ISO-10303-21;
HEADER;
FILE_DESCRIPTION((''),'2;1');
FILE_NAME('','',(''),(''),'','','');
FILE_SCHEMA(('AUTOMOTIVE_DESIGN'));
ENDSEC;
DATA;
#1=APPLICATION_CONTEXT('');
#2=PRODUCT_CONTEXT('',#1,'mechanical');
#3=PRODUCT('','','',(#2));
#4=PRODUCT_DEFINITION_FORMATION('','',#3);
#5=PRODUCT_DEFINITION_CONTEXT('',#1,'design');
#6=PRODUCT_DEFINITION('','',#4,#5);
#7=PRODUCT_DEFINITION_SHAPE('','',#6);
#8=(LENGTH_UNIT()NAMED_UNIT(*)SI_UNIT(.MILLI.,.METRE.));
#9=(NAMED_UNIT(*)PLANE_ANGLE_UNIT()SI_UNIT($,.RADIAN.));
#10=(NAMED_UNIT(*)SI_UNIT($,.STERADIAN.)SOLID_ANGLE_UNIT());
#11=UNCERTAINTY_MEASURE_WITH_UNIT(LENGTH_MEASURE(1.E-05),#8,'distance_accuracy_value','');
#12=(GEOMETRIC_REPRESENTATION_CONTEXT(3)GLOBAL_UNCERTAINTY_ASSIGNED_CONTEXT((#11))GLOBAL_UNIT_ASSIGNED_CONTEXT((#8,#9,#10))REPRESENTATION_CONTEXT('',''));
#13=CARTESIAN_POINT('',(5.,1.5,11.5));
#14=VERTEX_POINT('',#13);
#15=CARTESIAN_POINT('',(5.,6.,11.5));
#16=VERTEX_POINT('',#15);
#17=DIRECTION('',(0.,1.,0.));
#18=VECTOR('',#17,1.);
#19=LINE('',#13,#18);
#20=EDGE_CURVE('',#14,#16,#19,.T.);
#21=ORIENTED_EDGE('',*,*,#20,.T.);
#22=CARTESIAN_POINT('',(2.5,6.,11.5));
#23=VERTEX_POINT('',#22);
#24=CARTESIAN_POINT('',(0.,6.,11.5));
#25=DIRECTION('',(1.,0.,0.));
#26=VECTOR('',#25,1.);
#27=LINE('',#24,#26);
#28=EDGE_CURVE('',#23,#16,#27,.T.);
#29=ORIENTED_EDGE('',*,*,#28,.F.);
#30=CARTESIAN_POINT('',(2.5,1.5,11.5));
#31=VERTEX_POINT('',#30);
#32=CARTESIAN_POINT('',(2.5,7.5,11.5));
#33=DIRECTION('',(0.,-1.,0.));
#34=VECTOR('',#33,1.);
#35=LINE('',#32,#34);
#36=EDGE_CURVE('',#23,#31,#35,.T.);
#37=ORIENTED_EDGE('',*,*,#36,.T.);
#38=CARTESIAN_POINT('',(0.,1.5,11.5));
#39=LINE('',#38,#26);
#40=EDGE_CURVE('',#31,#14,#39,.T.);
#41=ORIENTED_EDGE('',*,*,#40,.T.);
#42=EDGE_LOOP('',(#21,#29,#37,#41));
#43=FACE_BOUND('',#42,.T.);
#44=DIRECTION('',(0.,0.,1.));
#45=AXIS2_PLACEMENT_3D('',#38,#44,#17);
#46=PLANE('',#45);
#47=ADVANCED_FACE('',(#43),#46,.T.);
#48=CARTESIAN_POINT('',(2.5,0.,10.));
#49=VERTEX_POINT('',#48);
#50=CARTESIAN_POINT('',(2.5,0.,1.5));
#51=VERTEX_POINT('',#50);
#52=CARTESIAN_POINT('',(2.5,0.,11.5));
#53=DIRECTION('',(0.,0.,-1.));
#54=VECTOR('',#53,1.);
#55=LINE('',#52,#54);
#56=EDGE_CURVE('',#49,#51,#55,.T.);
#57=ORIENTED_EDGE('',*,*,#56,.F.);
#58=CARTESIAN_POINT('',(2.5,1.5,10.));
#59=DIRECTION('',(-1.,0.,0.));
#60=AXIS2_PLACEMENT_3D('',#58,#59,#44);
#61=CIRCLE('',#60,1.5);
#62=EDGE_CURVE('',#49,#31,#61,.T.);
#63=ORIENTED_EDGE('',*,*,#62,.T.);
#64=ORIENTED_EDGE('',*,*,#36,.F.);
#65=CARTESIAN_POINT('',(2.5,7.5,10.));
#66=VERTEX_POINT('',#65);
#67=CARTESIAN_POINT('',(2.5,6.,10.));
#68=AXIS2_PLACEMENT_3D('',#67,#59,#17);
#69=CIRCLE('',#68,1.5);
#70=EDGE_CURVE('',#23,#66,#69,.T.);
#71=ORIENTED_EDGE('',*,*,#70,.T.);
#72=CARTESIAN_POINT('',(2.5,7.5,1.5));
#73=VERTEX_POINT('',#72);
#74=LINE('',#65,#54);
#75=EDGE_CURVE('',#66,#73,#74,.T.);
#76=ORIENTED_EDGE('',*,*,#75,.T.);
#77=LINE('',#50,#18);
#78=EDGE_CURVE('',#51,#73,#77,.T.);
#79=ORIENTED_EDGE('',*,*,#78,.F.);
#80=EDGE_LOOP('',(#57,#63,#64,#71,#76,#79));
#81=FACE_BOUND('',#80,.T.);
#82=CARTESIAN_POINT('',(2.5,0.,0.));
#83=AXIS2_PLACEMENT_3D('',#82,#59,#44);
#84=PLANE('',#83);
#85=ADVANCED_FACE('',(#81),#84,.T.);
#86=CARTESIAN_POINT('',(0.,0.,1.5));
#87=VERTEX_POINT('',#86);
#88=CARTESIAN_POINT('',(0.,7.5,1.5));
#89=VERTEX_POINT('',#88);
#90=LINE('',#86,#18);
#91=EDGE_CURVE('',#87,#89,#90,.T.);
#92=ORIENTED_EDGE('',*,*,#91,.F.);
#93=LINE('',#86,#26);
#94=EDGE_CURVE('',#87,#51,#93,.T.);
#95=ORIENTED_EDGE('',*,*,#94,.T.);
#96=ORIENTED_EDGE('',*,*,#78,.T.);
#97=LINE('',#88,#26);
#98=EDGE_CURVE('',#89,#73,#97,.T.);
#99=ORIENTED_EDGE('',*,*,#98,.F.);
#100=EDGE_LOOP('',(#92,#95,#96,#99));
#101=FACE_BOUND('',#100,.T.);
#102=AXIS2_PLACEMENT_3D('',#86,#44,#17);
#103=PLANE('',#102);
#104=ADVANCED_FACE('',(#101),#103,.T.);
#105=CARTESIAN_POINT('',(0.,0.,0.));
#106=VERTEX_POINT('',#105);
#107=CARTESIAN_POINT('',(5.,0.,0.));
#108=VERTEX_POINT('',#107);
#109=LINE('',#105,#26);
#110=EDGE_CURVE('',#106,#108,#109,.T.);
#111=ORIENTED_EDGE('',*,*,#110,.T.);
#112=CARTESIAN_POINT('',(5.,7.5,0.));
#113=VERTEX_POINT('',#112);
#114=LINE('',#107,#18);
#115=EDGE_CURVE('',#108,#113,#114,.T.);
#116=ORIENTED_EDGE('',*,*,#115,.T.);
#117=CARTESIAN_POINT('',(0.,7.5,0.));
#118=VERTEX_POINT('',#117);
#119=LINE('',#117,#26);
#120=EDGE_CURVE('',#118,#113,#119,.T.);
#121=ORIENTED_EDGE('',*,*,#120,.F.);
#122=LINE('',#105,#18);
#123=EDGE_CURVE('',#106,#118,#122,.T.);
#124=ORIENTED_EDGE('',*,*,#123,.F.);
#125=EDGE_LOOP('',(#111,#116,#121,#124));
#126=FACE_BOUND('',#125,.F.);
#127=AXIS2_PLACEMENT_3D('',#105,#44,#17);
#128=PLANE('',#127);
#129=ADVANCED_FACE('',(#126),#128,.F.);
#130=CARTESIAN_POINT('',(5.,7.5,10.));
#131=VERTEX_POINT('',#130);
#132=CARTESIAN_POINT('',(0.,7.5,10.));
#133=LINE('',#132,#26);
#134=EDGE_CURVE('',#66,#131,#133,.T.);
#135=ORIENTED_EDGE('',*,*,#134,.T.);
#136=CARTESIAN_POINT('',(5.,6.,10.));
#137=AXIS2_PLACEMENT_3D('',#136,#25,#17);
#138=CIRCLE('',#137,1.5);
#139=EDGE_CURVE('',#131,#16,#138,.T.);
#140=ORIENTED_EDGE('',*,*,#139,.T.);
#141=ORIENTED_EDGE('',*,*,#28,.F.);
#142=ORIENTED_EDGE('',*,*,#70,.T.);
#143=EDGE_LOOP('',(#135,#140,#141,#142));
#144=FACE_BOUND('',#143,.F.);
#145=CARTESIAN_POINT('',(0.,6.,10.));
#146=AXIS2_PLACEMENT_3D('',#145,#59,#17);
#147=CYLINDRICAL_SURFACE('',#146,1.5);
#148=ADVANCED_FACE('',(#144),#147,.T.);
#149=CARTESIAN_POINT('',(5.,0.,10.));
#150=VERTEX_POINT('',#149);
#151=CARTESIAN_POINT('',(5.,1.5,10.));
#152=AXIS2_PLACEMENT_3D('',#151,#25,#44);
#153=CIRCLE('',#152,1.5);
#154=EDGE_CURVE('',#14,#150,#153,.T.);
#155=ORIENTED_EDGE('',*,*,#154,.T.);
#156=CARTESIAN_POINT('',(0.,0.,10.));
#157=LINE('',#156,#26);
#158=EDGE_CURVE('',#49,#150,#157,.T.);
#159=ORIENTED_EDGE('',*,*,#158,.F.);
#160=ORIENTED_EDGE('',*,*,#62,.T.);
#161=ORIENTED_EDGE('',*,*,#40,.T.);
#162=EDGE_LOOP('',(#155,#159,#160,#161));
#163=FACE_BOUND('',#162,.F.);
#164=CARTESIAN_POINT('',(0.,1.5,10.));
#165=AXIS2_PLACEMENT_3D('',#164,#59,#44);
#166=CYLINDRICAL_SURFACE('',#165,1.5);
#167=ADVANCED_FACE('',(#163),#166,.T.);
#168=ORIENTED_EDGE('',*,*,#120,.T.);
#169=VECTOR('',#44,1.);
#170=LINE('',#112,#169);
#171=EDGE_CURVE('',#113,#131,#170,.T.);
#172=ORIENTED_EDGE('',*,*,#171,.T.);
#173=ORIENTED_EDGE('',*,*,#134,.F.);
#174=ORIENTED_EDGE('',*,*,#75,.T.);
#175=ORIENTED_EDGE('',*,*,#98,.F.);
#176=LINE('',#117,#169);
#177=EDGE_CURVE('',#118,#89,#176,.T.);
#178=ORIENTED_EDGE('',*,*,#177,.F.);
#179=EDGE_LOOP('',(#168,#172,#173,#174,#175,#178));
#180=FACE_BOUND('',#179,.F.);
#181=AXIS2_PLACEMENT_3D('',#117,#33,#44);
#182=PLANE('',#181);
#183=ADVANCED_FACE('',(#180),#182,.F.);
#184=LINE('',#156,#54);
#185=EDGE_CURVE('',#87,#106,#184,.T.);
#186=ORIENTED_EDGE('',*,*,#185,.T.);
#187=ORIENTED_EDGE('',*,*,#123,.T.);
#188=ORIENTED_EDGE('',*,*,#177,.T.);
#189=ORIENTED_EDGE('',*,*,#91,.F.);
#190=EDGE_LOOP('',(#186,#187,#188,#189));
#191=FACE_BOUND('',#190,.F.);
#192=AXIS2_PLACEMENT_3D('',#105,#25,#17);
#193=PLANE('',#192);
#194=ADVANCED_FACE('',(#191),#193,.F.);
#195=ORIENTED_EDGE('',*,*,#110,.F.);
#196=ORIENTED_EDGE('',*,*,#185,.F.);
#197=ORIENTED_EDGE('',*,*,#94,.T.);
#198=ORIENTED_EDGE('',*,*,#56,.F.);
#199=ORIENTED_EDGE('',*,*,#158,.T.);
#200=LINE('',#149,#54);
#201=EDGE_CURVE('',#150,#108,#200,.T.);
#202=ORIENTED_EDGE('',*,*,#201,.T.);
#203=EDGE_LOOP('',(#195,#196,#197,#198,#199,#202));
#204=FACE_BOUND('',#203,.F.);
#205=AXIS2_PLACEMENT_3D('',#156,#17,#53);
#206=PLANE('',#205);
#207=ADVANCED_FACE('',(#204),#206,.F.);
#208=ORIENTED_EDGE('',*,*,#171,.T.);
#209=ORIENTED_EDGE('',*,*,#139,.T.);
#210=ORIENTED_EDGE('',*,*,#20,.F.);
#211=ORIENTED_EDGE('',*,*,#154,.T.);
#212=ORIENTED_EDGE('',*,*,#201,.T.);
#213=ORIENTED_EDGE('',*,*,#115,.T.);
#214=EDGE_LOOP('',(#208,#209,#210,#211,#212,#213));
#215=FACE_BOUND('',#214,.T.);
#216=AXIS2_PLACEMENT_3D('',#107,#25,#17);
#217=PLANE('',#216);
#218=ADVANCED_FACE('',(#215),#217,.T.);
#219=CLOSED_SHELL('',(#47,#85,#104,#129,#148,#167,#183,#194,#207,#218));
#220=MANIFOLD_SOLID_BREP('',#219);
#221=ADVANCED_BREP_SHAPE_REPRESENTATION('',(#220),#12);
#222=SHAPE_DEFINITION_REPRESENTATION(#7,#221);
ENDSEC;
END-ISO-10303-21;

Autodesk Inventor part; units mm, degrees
ref_plane "YZ Plane" through (0, 0, 0) normal (1, 0, 0) x (0, 1, 0)
ref_plane "XZ Plane" through (0, 0, 0) normal (0, 1, 0) x (-1, 0, 0)
ref_plane "XY Plane" through (0, 0, 0) normal (0, 0, 1) x (1, 0, 0)
sketch "Sketch1" plane through (0, 0, 0) normal (1, 0, 0) x (0, 1, 0)
  line L0 (0, 10) -> (0, 0)
  line L1 (0, 0) -> (7.5, 0)
  line L2 (7.5, 0) -> (7.5, 10)
  arc A0 (1.5, 11.5) -> (0, 10) centre (1.5, 10) ccw
  line L3 (1.5, 10) -> (1.5, 11.5) construction
  line L4 (1.5, 10) -> (0, 10) construction
  arc A1 (7.5, 10) -> (6, 11.5) centre (6, 10) ccw
  line L5 (6, 10) -> (6, 11.5) construction
  line L6 (6, 10) -> (7.5, 10) construction
  line L7 (1.5, 11.5) -> (6, 11.5)
  dimension "d0" = 7.5
  dimension "d1" = 90
  dimension "d2" = 90
extrude "Extrusion1" add sketch "Sketch1" along normal blind 5
sketch "Sketch2" plane through (0, 0, 0) normal (-1, 0, 0) x (0, 0, 1)
  line L0 (10, 7.5) -> (0, 7.5) projected
  line L1 (1.5, 7.5) -> (11.5, 7.5)
  line L2 (11.5, 7.5) -> (11.5, 0)
  line L3 (11.5, 0) -> (1.5, 0)
  line L4 (1.5, 0) -> (1.5, 7.5)
extrude "Extrusion2" cut sketch "Sketch2" against normal blind 2.5
properties part number "130"
